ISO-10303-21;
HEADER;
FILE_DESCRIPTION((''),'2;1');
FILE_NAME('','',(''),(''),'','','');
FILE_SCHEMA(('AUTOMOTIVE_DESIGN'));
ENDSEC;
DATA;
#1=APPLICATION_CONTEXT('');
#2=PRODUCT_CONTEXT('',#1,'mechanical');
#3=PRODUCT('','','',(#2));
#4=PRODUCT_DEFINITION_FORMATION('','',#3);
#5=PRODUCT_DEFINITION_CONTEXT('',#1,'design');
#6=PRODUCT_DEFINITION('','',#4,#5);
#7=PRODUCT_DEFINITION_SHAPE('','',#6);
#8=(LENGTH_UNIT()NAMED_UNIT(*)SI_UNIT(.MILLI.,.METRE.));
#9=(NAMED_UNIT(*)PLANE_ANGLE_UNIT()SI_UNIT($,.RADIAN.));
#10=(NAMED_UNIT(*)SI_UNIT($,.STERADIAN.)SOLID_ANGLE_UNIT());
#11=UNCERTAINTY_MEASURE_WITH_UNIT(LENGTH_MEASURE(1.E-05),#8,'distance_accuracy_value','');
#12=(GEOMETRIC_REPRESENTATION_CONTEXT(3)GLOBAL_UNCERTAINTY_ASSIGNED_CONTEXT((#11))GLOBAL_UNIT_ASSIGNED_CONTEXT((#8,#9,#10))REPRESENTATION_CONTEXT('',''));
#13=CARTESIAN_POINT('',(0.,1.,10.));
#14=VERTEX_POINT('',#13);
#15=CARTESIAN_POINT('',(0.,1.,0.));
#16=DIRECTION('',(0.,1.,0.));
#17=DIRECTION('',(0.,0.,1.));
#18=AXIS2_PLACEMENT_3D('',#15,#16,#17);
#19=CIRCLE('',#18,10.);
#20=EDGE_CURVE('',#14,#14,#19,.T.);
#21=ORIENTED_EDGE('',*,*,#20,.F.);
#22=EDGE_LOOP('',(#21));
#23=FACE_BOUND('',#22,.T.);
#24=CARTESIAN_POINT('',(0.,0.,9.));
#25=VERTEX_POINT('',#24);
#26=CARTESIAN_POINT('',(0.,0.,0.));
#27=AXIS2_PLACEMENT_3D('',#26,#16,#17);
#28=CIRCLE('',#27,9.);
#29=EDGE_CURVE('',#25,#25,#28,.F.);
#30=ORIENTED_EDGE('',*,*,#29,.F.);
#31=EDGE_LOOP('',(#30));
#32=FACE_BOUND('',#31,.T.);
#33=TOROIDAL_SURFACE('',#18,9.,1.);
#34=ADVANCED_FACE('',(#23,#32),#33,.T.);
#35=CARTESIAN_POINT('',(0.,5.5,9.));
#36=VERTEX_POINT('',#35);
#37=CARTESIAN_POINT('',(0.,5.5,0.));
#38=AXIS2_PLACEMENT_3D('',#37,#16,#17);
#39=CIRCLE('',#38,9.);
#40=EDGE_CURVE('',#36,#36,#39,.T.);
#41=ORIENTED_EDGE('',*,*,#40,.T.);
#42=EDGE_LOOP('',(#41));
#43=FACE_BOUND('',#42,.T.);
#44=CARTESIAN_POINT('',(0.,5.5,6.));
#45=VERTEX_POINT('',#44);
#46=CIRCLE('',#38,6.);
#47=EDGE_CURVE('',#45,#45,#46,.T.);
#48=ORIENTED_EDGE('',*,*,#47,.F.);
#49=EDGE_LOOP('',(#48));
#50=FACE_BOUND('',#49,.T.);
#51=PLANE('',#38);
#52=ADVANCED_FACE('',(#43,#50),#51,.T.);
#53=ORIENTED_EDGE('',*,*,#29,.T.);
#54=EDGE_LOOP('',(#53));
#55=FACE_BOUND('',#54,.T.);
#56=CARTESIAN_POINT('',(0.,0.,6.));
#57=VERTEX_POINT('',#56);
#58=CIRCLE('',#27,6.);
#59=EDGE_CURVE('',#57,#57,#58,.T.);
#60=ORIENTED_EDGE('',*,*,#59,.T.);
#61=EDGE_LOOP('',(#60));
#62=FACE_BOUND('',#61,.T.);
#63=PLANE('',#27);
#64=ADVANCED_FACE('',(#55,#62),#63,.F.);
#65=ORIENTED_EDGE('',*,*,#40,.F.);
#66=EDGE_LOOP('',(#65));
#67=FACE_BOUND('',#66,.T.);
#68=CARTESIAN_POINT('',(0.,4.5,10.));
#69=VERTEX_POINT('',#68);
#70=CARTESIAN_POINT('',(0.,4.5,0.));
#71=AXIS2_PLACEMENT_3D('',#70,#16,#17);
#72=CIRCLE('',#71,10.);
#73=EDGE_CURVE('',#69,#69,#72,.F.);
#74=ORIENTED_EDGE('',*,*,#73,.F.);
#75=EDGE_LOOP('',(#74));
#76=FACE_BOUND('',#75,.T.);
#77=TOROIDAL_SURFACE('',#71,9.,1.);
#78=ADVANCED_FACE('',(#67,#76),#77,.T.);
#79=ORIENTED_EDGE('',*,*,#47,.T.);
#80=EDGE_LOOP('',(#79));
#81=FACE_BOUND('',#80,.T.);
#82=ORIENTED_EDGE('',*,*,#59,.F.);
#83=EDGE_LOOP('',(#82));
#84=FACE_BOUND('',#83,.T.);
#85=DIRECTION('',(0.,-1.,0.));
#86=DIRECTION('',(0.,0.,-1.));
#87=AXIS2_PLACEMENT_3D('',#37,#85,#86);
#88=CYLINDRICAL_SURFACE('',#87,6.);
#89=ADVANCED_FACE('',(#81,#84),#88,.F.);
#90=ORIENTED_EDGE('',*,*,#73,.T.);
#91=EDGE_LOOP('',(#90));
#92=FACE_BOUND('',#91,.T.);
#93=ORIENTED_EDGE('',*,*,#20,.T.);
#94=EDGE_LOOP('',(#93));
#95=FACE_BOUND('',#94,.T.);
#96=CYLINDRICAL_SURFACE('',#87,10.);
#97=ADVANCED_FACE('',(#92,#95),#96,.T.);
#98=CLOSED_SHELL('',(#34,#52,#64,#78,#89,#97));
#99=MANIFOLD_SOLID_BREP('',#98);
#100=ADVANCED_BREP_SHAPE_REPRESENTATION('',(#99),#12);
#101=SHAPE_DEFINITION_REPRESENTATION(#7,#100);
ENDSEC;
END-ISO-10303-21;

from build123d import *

# Parameters (mm, degrees)
SKETCH1_R           = 10
SKETCH1_R_2         = 6
BOSS_EXTRUDE1_DEPTH = 5.5
FILLET1_R           = 1


with BuildPart() as part:
    # Sketch1 → Boss-Extrude1 (new body)
    with BuildSketch(Plane(origin=(0, 0, 0), x_dir=(1, 0, 0), z_dir=(0, 1, 0))):
        Circle(SKETCH1_R)
        Circle(SKETCH1_R_2, mode=Mode.SUBTRACT)
    extrude(amount=BOSS_EXTRUDE1_DEPTH)

    # Fillet1
    fillet1_edges = [part.edges().sort_by_distance(p)[0] for p in [
        (-10, 0, 0),
        (-10, 5.5, 0),
    ]]
    fillet(fillet1_edges, radius=FILLET1_R)


solid = part.part
